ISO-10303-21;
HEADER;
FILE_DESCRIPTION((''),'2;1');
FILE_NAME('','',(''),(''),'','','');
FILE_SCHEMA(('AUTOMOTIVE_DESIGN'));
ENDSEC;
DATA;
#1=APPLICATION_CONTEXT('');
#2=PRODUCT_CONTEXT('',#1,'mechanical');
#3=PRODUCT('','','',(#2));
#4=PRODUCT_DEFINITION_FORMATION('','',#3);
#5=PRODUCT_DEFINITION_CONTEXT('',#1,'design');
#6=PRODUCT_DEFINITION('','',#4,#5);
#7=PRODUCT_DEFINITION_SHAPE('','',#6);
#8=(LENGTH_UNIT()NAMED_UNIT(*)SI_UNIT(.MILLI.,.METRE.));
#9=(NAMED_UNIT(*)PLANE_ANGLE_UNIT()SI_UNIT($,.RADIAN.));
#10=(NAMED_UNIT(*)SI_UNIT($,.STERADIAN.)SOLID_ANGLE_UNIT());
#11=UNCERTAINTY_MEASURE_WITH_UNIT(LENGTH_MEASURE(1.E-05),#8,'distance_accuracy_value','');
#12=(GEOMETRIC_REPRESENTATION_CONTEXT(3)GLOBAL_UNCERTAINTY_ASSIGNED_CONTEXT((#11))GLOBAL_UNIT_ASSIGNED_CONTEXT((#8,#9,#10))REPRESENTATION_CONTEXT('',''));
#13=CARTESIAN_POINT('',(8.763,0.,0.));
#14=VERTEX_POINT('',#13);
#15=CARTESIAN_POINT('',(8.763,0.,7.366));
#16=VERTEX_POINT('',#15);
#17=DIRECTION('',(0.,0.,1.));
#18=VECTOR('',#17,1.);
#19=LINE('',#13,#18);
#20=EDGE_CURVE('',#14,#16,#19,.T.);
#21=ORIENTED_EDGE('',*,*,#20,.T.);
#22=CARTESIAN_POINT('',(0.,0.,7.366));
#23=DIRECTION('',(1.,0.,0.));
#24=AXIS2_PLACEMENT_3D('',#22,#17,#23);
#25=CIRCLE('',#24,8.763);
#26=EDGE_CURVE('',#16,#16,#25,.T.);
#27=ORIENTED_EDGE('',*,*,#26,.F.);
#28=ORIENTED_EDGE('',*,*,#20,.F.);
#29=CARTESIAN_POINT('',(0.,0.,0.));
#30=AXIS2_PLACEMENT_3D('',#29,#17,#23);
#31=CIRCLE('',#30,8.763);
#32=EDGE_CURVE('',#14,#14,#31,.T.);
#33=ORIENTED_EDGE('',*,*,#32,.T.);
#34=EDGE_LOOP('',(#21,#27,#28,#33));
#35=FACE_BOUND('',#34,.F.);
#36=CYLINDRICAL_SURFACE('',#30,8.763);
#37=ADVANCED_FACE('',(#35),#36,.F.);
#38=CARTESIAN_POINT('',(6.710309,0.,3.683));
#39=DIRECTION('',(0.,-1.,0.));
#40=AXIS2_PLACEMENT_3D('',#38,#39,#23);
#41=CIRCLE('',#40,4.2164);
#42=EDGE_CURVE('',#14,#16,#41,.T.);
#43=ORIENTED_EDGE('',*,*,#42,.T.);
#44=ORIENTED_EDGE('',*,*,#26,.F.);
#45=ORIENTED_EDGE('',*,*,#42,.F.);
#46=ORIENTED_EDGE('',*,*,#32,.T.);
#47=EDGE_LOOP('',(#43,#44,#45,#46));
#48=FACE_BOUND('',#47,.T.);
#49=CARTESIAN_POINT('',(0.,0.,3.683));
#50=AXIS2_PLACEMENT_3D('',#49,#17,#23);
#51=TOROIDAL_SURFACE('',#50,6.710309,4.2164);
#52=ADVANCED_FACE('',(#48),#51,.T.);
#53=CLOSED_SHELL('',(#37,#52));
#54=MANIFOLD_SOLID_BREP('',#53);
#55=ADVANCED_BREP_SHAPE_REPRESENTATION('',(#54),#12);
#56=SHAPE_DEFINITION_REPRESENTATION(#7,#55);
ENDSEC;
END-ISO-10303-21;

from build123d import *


with BuildPart() as f2:
    # F2: sweep along a path in F0
    with BuildLine(Plane.XY) as f2_path:
        CenterArc((0, 0), 8.5725, 0, 360)
    # F1 (on Front) → F2 (sweep)
    with BuildSketch(Plane.XZ):
        with BuildLine():
            ThreePointArc((-8.763, 7.366), (-10.926709, 3.683), (-8.763, 0))
            Line((-8.763, 0), (-8.763, 7.366))
        make_face()
    sweep(path=f2_path.line)


solid = f2.part
